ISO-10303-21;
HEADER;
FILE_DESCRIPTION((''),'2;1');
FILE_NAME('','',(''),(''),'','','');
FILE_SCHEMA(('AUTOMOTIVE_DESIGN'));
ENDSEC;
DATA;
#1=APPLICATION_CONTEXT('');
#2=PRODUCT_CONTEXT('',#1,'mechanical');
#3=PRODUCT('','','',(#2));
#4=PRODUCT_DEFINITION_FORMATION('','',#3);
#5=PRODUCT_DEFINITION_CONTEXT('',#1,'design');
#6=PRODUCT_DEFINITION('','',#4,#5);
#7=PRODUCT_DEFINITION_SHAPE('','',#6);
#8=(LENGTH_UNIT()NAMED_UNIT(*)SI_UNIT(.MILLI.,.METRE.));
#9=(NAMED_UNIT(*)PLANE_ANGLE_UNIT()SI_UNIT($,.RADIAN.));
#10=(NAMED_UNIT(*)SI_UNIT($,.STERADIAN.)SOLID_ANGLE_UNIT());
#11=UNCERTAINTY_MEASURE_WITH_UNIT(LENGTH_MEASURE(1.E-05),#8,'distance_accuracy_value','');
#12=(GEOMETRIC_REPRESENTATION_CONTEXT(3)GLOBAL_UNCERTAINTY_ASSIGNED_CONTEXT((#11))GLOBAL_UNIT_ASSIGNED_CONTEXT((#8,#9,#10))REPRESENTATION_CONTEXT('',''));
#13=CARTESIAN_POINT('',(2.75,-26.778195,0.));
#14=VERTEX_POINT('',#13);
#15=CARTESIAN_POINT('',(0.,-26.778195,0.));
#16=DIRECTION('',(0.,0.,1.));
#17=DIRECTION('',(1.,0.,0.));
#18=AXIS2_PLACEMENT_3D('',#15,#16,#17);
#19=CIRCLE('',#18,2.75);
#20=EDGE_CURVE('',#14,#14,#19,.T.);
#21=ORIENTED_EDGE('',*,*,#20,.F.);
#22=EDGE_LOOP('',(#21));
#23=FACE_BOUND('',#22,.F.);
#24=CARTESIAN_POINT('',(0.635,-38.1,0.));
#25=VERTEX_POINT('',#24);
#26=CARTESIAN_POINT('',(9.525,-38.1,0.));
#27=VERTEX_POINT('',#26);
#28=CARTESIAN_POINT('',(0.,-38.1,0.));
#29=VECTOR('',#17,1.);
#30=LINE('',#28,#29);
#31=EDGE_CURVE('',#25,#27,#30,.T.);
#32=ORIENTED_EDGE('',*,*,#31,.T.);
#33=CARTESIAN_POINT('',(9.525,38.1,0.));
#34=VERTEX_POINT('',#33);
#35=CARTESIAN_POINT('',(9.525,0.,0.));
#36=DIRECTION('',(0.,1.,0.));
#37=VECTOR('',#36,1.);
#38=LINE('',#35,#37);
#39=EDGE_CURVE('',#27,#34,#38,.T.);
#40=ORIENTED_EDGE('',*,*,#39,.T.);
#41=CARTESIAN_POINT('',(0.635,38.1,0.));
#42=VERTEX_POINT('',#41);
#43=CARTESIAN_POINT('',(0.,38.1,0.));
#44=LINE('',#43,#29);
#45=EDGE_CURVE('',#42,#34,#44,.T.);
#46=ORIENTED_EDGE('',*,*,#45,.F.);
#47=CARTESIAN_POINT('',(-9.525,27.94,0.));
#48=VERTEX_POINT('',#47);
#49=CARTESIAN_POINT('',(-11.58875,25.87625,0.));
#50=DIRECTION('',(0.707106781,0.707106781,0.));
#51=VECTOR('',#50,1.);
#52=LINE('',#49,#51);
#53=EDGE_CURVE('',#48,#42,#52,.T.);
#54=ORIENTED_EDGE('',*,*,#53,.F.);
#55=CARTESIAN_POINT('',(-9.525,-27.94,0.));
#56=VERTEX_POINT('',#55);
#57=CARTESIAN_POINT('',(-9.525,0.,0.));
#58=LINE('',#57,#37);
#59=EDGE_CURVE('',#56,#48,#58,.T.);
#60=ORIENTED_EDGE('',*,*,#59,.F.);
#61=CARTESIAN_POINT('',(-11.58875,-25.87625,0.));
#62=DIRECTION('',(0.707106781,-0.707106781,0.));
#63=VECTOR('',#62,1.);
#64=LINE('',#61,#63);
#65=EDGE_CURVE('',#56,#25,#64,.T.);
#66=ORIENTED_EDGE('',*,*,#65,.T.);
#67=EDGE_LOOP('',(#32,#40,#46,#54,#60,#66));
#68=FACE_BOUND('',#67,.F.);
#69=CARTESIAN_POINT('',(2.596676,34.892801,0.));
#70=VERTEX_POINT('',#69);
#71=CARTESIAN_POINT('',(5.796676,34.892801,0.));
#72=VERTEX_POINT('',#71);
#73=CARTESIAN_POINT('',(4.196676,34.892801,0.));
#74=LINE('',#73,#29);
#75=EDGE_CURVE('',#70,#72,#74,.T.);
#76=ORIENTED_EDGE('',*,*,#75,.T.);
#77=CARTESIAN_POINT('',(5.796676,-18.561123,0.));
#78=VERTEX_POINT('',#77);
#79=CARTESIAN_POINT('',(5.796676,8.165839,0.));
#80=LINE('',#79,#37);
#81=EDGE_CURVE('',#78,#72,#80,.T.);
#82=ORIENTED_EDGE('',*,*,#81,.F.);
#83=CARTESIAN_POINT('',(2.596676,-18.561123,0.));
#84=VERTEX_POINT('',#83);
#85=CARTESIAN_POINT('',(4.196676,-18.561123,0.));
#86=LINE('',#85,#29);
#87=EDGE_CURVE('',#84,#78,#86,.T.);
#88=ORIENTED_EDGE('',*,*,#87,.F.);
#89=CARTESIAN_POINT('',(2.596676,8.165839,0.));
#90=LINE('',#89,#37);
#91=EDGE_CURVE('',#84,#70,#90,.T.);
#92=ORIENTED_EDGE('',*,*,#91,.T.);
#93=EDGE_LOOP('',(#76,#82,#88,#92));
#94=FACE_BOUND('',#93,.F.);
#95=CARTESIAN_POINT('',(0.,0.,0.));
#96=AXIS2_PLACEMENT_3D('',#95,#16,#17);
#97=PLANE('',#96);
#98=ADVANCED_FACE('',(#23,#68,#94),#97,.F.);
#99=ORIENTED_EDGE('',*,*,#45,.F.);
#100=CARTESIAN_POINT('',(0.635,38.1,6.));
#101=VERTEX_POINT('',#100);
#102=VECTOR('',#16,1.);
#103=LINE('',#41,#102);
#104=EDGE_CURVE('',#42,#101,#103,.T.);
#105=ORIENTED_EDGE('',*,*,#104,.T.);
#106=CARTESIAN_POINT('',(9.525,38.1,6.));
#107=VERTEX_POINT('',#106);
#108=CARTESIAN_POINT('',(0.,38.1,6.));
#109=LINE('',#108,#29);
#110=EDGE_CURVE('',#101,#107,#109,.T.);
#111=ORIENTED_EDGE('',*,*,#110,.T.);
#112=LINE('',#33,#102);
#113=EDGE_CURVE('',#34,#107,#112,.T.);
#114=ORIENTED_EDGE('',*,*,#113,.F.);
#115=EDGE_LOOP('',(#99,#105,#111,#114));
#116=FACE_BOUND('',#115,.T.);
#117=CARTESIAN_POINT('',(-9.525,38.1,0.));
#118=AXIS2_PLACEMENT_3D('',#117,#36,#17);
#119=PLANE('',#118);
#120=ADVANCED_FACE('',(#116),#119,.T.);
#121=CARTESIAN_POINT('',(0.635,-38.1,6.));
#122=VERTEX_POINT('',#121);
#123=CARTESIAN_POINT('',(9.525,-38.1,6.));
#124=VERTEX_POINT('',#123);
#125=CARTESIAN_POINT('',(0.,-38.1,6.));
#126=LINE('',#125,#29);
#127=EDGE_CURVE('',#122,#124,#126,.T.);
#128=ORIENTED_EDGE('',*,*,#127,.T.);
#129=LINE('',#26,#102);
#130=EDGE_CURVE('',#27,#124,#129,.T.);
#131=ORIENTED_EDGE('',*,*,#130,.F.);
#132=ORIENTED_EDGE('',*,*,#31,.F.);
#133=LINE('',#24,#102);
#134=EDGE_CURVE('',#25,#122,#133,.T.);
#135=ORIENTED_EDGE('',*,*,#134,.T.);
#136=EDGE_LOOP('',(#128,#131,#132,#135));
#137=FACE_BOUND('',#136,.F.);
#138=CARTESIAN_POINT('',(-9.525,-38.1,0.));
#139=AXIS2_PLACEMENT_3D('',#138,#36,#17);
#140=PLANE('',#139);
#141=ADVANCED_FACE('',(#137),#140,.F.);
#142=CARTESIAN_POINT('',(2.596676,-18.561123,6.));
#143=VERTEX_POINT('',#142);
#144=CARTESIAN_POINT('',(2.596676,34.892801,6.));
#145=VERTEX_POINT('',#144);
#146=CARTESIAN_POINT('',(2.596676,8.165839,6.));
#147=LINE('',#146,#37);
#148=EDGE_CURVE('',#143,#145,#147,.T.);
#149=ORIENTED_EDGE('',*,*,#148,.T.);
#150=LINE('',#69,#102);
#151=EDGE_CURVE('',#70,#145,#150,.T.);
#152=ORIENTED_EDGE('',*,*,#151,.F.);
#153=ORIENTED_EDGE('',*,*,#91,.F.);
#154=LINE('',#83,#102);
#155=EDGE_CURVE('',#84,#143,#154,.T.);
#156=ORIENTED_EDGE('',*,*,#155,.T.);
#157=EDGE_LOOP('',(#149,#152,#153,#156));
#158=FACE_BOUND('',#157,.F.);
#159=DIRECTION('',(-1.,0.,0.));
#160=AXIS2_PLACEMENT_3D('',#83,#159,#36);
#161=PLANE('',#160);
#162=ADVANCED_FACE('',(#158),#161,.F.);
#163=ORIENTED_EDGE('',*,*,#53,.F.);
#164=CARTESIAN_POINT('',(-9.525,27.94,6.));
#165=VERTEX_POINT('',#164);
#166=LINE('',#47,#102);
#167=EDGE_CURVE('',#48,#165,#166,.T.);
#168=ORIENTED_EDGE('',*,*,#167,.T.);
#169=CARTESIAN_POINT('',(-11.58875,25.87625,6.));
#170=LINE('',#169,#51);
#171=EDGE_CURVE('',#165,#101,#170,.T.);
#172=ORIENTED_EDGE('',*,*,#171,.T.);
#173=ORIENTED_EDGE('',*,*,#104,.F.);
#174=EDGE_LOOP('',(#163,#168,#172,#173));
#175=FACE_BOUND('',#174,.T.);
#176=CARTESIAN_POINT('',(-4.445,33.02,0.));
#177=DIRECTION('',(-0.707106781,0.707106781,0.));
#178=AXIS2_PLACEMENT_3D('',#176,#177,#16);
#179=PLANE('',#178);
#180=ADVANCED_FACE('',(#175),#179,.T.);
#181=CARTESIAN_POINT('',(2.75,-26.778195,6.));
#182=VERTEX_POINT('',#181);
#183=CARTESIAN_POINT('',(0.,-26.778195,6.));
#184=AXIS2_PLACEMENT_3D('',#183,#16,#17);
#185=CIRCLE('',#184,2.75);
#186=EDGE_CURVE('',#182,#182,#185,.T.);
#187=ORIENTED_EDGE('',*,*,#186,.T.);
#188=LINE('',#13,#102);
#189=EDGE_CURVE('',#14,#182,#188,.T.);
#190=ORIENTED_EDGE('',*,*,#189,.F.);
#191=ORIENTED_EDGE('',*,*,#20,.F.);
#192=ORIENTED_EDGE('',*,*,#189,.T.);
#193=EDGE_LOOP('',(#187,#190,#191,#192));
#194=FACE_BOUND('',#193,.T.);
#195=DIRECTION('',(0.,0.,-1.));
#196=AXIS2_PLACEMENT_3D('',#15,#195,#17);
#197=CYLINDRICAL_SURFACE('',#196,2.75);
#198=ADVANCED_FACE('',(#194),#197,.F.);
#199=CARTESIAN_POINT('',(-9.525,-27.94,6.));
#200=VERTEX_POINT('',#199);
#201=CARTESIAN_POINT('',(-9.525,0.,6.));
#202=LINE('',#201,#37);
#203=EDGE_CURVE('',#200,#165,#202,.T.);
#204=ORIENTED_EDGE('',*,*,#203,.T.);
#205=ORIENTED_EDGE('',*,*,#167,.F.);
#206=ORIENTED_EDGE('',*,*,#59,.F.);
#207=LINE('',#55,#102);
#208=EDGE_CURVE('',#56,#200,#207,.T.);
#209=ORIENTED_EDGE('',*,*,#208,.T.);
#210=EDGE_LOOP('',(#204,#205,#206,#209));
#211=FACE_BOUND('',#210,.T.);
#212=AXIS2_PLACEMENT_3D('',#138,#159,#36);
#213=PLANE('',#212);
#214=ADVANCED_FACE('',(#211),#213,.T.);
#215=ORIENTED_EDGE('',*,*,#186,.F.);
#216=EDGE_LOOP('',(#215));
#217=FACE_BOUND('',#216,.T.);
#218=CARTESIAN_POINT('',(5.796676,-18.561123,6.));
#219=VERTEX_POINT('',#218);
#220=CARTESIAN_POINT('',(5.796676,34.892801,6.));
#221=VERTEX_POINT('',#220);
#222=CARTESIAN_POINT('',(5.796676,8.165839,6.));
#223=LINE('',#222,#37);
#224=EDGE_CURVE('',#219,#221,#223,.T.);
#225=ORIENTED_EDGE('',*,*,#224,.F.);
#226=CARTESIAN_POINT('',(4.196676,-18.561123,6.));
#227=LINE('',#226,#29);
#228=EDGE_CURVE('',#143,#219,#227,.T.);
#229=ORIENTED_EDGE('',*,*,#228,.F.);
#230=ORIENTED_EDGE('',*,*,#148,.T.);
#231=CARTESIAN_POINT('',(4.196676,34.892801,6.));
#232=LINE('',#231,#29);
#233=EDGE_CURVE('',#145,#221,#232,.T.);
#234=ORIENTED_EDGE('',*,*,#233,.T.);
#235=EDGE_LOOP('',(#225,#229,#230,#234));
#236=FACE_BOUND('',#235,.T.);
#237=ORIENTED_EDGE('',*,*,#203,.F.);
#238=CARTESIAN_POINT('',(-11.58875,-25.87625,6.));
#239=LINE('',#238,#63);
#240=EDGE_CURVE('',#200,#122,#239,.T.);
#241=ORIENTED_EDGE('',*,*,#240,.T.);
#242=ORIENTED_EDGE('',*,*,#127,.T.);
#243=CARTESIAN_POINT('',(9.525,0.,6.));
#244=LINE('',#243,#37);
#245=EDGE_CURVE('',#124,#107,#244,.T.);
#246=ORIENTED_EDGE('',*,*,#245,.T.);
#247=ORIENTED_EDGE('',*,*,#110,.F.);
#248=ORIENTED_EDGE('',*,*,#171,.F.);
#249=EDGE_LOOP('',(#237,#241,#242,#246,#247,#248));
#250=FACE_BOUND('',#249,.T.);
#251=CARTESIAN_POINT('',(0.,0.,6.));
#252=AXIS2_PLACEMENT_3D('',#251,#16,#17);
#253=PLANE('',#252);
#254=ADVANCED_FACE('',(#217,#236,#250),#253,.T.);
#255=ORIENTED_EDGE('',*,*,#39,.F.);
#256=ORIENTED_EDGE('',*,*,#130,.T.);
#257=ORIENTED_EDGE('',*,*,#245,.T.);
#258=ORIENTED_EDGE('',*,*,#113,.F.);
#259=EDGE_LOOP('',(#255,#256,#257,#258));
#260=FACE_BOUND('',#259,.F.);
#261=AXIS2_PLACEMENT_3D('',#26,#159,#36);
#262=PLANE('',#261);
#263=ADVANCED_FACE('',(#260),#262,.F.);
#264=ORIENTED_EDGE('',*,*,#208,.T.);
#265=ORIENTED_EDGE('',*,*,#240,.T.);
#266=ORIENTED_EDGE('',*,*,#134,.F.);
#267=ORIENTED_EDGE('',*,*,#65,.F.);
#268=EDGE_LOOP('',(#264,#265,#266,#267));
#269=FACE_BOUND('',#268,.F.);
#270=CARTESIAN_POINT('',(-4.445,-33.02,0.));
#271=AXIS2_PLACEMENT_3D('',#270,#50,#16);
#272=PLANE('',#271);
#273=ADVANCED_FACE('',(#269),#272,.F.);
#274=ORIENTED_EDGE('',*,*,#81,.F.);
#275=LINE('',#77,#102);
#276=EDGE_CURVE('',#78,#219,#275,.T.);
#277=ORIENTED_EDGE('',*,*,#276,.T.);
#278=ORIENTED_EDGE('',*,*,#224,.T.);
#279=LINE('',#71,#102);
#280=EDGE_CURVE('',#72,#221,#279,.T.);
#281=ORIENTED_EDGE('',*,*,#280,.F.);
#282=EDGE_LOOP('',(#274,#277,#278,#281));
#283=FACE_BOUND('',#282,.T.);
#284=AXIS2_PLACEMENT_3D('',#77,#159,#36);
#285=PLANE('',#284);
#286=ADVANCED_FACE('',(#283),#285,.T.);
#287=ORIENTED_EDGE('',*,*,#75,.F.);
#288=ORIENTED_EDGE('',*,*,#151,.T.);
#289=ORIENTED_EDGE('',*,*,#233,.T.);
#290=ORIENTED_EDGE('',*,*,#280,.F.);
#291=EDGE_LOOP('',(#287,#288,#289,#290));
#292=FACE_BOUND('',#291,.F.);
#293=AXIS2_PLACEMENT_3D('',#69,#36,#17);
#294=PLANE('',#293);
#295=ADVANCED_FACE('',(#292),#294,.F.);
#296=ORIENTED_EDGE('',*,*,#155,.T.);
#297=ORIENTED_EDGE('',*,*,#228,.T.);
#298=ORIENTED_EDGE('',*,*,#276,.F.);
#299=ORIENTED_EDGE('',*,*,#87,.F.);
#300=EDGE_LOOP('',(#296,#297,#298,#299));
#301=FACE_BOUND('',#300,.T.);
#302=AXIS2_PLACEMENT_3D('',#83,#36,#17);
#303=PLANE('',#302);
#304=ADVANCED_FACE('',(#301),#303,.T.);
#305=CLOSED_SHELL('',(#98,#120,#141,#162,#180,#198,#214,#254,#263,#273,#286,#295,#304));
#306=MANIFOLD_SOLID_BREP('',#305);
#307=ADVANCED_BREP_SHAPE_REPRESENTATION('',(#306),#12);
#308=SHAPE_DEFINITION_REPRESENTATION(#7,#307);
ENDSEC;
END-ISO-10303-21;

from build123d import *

# Parameters (mm, degrees)
F0_W     = 19.05
F0_H     = 76.2
F0_R     = 2.75
F0_W_2   = 3.2
F0_H_2   = 53.453924
F1_DEPTH = 6
F2_SIZE  = 10.16


with BuildPart() as f1:
    # F0 (on Top) → F1 (new body)
    with BuildSketch(Plane.XY):
        Rectangle(F0_W, F0_H)
        with Locations((0, -26.778195)):
            Circle(F0_R, mode=Mode.SUBTRACT)
        with Locations((4.196676, 8.165839)):
            Rectangle(F0_W_2, F0_H_2, mode=Mode.SUBTRACT)
    extrude(amount=F1_DEPTH)

    # F2
    f2_edges = [f1.edges().sort_by_distance(p)[0] for p in [
        (-9.525, 38.1, 3),
        (-9.525, -38.1, 3),
    ]]
    chamfer(f2_edges, length=F2_SIZE)


solid = f1.part
